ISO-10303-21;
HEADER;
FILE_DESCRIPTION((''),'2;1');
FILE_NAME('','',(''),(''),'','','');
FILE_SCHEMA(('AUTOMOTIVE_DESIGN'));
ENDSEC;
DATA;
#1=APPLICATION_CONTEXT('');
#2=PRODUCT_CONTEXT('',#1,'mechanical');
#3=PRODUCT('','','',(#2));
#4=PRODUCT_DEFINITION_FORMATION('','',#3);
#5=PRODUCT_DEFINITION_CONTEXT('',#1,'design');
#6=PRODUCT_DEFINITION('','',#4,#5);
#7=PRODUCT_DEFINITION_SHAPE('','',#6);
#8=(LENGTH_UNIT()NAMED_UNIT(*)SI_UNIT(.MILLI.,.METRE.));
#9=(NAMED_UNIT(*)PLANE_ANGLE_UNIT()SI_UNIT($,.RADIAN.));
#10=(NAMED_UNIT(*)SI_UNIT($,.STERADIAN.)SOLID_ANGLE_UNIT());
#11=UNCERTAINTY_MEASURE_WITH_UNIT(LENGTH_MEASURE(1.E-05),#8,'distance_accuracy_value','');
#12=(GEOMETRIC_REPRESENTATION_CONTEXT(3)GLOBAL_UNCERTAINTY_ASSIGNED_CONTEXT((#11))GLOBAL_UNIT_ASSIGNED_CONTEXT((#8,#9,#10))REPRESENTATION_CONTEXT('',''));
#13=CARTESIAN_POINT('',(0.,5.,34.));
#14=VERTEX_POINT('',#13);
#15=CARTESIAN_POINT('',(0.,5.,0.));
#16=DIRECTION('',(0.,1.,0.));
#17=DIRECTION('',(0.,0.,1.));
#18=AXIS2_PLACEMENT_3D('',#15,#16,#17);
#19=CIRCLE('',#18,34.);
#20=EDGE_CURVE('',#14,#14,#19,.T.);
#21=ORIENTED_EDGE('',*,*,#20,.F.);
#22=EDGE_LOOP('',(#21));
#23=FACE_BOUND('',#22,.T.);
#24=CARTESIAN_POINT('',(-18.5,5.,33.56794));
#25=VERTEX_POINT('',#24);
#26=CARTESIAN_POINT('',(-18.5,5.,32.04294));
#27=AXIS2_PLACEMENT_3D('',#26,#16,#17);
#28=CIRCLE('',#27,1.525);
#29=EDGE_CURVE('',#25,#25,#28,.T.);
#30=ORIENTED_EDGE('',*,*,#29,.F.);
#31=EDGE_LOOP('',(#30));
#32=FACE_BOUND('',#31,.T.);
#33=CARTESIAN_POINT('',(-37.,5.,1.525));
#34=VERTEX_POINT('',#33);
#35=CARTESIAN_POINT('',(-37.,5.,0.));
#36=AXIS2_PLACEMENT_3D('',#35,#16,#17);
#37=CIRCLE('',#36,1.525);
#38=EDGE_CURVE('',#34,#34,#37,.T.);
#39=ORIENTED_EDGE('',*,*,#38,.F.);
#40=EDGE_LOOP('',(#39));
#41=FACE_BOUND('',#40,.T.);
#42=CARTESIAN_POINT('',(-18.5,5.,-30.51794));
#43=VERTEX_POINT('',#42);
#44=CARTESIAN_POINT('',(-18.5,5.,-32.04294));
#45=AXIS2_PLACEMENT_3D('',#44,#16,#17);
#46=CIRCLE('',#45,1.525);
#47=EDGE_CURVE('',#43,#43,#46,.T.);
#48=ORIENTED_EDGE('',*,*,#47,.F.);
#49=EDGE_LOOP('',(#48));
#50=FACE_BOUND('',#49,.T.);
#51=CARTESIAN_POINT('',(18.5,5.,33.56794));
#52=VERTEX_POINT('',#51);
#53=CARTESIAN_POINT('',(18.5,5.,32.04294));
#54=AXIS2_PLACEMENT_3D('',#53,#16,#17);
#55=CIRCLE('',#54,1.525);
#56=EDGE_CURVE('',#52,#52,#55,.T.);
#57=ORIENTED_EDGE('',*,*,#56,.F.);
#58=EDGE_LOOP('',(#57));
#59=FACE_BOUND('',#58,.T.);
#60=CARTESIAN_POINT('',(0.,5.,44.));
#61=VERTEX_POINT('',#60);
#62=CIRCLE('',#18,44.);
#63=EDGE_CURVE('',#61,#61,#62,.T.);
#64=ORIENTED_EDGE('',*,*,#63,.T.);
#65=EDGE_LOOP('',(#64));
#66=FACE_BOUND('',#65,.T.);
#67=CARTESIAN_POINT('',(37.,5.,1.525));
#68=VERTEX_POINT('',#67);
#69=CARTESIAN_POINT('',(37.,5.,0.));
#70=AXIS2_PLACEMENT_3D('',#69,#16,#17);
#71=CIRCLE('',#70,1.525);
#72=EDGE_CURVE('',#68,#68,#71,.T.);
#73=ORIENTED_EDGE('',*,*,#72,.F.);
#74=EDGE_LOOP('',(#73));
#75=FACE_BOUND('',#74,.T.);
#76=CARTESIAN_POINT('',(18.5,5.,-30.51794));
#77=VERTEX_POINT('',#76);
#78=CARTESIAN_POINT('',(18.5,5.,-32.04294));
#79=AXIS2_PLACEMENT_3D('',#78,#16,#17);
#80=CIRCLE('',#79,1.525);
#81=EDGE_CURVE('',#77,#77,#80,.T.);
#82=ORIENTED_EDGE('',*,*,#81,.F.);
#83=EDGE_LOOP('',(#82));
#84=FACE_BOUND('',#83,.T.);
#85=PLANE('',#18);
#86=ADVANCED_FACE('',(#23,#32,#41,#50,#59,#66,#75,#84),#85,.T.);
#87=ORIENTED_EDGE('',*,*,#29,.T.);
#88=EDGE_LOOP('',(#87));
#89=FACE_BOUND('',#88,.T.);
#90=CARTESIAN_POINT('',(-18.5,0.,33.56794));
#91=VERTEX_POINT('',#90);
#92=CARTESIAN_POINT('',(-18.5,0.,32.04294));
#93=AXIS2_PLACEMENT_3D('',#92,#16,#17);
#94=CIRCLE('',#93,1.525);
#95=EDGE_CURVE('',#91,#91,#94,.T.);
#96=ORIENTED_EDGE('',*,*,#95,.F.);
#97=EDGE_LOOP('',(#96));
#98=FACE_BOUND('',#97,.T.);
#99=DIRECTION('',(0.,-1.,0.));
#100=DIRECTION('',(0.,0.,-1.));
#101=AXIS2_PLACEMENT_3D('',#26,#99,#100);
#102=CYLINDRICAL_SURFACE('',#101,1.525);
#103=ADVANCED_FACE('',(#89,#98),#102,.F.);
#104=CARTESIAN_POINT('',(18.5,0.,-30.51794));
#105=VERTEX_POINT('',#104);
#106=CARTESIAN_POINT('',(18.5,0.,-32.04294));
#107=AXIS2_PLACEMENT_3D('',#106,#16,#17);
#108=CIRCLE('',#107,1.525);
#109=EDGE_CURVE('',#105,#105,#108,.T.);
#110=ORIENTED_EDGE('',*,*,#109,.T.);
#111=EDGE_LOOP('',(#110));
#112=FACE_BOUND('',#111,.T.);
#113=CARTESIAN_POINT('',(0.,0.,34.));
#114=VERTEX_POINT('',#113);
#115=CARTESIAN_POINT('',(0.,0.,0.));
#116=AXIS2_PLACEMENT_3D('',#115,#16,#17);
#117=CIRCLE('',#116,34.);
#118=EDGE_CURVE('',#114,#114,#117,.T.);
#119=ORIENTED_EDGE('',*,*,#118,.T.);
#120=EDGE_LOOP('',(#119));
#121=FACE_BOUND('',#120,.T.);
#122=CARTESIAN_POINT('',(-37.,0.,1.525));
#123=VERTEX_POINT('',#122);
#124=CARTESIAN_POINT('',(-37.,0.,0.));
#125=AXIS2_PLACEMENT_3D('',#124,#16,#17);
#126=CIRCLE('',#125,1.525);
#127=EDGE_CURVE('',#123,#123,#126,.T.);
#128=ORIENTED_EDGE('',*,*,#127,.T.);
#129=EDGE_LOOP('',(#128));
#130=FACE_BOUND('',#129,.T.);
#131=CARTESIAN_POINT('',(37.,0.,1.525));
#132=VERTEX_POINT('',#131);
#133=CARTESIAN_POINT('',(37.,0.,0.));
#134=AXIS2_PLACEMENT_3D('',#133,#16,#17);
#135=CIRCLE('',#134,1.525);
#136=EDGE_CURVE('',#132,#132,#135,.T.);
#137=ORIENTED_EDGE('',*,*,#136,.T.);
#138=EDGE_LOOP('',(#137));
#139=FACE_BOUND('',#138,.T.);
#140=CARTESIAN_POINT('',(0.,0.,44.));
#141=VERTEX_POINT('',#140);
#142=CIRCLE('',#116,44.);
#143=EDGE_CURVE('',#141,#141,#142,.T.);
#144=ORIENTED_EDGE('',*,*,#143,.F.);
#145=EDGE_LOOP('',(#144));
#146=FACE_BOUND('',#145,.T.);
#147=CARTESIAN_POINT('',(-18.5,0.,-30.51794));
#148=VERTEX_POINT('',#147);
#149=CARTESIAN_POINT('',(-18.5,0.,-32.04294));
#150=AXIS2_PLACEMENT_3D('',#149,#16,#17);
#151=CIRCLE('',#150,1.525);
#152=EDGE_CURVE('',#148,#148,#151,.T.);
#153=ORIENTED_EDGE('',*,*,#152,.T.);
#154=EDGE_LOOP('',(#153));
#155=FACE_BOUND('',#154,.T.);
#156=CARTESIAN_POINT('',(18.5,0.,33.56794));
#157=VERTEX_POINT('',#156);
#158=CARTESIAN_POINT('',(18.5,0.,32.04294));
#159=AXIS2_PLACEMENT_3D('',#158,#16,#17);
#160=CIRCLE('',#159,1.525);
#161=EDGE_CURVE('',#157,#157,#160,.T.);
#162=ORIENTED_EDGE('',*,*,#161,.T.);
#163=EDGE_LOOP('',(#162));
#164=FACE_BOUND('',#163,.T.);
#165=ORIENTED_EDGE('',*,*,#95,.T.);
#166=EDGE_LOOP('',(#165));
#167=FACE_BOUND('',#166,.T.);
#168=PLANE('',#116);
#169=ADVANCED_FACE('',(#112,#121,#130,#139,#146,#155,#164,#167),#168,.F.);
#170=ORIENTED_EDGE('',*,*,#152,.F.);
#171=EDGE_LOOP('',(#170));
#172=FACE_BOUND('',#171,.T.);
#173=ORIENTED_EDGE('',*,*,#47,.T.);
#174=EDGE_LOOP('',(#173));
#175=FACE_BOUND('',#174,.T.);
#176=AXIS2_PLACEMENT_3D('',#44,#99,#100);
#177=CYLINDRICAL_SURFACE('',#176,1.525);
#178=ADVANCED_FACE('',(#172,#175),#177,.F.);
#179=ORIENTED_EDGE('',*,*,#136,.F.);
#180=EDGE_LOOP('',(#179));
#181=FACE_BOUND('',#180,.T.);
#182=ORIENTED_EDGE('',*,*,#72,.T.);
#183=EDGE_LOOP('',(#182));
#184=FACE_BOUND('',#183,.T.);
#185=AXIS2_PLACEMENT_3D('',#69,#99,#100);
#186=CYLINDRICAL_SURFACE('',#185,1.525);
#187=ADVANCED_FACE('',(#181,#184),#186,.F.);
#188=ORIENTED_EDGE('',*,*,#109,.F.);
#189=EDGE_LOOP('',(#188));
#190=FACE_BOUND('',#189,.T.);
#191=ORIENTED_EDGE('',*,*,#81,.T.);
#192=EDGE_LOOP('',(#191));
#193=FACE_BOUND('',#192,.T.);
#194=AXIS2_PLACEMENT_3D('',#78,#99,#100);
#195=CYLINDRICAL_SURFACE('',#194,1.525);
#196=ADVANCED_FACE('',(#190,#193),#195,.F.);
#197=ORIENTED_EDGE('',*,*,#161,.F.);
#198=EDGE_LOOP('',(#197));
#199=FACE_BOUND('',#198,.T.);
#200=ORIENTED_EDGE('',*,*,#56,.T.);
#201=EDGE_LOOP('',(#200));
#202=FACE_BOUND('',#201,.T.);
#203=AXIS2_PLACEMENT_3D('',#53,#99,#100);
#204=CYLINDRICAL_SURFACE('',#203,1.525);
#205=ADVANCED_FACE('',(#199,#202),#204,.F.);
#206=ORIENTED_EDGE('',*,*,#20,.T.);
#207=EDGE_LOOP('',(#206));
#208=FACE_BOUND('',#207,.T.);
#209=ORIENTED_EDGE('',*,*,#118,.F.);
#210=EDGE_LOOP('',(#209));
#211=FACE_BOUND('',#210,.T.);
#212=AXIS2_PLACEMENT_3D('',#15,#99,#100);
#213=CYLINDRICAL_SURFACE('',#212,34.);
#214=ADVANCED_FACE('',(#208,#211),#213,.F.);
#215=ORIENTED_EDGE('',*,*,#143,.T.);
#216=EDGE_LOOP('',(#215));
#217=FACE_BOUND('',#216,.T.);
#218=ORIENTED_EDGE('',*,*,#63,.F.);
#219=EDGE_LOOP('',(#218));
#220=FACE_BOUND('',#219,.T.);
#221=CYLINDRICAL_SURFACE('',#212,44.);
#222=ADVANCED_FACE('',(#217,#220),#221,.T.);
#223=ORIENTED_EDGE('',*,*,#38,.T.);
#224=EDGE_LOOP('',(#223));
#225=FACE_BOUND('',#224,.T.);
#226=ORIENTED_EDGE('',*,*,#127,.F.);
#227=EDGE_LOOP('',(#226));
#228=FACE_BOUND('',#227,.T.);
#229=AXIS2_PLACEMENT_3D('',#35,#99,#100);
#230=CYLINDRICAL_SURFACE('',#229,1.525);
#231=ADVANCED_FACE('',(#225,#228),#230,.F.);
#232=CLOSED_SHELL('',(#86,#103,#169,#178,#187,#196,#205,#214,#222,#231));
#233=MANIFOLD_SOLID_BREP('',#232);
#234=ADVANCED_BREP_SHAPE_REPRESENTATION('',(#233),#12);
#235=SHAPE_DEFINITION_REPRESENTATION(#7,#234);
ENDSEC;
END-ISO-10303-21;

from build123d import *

# Parameters (mm, degrees)
SKETCH_1_R      = 44
SKETCH_1_R_2    = 34
SKETCH_1_R_3    = 1.525
EXTRUDE_1_DEPTH = 5


with BuildPart() as part:
    # 草图1 → 凸台-拉伸1 (new body)
    with BuildSketch(Plane(origin=(0, 0, 0), x_dir=(1, 0, 0), z_dir=(0, 1, 0))):
        with Locations(Location((0, 0, 0), (0, 0, 270))):
            Circle(SKETCH_1_R)
        with Locations(Location((0, 0, 0), (0, 0, 270))):
            Circle(SKETCH_1_R_2, mode=Mode.SUBTRACT)
        with Locations(Location((37, 0, 0), (0, 0, 270))):
            Circle(SKETCH_1_R_3, mode=Mode.SUBTRACT)
        with Locations(Location((18.5, -32.04293994, 0), (0, 0, 270))):
            Circle(SKETCH_1_R_3, mode=Mode.SUBTRACT)
        with Locations(Location((-18.5, -32.04293994, 0), (0, 0, 270))):
            Circle(SKETCH_1_R_3, mode=Mode.SUBTRACT)
        with Locations(Location((-37, 0, 0), (0, 0, 270))):
            Circle(SKETCH_1_R_3, mode=Mode.SUBTRACT)
        with Locations(Location((-18.5, 32.04293994, 0), (0, 0, 270))):
            Circle(SKETCH_1_R_3, mode=Mode.SUBTRACT)
        with Locations(Location((18.5, 32.04293994, 0), (0, 0, 270))):
            Circle(SKETCH_1_R_3, mode=Mode.SUBTRACT)
    extrude(amount=EXTRUDE_1_DEPTH)


solid = part.part
